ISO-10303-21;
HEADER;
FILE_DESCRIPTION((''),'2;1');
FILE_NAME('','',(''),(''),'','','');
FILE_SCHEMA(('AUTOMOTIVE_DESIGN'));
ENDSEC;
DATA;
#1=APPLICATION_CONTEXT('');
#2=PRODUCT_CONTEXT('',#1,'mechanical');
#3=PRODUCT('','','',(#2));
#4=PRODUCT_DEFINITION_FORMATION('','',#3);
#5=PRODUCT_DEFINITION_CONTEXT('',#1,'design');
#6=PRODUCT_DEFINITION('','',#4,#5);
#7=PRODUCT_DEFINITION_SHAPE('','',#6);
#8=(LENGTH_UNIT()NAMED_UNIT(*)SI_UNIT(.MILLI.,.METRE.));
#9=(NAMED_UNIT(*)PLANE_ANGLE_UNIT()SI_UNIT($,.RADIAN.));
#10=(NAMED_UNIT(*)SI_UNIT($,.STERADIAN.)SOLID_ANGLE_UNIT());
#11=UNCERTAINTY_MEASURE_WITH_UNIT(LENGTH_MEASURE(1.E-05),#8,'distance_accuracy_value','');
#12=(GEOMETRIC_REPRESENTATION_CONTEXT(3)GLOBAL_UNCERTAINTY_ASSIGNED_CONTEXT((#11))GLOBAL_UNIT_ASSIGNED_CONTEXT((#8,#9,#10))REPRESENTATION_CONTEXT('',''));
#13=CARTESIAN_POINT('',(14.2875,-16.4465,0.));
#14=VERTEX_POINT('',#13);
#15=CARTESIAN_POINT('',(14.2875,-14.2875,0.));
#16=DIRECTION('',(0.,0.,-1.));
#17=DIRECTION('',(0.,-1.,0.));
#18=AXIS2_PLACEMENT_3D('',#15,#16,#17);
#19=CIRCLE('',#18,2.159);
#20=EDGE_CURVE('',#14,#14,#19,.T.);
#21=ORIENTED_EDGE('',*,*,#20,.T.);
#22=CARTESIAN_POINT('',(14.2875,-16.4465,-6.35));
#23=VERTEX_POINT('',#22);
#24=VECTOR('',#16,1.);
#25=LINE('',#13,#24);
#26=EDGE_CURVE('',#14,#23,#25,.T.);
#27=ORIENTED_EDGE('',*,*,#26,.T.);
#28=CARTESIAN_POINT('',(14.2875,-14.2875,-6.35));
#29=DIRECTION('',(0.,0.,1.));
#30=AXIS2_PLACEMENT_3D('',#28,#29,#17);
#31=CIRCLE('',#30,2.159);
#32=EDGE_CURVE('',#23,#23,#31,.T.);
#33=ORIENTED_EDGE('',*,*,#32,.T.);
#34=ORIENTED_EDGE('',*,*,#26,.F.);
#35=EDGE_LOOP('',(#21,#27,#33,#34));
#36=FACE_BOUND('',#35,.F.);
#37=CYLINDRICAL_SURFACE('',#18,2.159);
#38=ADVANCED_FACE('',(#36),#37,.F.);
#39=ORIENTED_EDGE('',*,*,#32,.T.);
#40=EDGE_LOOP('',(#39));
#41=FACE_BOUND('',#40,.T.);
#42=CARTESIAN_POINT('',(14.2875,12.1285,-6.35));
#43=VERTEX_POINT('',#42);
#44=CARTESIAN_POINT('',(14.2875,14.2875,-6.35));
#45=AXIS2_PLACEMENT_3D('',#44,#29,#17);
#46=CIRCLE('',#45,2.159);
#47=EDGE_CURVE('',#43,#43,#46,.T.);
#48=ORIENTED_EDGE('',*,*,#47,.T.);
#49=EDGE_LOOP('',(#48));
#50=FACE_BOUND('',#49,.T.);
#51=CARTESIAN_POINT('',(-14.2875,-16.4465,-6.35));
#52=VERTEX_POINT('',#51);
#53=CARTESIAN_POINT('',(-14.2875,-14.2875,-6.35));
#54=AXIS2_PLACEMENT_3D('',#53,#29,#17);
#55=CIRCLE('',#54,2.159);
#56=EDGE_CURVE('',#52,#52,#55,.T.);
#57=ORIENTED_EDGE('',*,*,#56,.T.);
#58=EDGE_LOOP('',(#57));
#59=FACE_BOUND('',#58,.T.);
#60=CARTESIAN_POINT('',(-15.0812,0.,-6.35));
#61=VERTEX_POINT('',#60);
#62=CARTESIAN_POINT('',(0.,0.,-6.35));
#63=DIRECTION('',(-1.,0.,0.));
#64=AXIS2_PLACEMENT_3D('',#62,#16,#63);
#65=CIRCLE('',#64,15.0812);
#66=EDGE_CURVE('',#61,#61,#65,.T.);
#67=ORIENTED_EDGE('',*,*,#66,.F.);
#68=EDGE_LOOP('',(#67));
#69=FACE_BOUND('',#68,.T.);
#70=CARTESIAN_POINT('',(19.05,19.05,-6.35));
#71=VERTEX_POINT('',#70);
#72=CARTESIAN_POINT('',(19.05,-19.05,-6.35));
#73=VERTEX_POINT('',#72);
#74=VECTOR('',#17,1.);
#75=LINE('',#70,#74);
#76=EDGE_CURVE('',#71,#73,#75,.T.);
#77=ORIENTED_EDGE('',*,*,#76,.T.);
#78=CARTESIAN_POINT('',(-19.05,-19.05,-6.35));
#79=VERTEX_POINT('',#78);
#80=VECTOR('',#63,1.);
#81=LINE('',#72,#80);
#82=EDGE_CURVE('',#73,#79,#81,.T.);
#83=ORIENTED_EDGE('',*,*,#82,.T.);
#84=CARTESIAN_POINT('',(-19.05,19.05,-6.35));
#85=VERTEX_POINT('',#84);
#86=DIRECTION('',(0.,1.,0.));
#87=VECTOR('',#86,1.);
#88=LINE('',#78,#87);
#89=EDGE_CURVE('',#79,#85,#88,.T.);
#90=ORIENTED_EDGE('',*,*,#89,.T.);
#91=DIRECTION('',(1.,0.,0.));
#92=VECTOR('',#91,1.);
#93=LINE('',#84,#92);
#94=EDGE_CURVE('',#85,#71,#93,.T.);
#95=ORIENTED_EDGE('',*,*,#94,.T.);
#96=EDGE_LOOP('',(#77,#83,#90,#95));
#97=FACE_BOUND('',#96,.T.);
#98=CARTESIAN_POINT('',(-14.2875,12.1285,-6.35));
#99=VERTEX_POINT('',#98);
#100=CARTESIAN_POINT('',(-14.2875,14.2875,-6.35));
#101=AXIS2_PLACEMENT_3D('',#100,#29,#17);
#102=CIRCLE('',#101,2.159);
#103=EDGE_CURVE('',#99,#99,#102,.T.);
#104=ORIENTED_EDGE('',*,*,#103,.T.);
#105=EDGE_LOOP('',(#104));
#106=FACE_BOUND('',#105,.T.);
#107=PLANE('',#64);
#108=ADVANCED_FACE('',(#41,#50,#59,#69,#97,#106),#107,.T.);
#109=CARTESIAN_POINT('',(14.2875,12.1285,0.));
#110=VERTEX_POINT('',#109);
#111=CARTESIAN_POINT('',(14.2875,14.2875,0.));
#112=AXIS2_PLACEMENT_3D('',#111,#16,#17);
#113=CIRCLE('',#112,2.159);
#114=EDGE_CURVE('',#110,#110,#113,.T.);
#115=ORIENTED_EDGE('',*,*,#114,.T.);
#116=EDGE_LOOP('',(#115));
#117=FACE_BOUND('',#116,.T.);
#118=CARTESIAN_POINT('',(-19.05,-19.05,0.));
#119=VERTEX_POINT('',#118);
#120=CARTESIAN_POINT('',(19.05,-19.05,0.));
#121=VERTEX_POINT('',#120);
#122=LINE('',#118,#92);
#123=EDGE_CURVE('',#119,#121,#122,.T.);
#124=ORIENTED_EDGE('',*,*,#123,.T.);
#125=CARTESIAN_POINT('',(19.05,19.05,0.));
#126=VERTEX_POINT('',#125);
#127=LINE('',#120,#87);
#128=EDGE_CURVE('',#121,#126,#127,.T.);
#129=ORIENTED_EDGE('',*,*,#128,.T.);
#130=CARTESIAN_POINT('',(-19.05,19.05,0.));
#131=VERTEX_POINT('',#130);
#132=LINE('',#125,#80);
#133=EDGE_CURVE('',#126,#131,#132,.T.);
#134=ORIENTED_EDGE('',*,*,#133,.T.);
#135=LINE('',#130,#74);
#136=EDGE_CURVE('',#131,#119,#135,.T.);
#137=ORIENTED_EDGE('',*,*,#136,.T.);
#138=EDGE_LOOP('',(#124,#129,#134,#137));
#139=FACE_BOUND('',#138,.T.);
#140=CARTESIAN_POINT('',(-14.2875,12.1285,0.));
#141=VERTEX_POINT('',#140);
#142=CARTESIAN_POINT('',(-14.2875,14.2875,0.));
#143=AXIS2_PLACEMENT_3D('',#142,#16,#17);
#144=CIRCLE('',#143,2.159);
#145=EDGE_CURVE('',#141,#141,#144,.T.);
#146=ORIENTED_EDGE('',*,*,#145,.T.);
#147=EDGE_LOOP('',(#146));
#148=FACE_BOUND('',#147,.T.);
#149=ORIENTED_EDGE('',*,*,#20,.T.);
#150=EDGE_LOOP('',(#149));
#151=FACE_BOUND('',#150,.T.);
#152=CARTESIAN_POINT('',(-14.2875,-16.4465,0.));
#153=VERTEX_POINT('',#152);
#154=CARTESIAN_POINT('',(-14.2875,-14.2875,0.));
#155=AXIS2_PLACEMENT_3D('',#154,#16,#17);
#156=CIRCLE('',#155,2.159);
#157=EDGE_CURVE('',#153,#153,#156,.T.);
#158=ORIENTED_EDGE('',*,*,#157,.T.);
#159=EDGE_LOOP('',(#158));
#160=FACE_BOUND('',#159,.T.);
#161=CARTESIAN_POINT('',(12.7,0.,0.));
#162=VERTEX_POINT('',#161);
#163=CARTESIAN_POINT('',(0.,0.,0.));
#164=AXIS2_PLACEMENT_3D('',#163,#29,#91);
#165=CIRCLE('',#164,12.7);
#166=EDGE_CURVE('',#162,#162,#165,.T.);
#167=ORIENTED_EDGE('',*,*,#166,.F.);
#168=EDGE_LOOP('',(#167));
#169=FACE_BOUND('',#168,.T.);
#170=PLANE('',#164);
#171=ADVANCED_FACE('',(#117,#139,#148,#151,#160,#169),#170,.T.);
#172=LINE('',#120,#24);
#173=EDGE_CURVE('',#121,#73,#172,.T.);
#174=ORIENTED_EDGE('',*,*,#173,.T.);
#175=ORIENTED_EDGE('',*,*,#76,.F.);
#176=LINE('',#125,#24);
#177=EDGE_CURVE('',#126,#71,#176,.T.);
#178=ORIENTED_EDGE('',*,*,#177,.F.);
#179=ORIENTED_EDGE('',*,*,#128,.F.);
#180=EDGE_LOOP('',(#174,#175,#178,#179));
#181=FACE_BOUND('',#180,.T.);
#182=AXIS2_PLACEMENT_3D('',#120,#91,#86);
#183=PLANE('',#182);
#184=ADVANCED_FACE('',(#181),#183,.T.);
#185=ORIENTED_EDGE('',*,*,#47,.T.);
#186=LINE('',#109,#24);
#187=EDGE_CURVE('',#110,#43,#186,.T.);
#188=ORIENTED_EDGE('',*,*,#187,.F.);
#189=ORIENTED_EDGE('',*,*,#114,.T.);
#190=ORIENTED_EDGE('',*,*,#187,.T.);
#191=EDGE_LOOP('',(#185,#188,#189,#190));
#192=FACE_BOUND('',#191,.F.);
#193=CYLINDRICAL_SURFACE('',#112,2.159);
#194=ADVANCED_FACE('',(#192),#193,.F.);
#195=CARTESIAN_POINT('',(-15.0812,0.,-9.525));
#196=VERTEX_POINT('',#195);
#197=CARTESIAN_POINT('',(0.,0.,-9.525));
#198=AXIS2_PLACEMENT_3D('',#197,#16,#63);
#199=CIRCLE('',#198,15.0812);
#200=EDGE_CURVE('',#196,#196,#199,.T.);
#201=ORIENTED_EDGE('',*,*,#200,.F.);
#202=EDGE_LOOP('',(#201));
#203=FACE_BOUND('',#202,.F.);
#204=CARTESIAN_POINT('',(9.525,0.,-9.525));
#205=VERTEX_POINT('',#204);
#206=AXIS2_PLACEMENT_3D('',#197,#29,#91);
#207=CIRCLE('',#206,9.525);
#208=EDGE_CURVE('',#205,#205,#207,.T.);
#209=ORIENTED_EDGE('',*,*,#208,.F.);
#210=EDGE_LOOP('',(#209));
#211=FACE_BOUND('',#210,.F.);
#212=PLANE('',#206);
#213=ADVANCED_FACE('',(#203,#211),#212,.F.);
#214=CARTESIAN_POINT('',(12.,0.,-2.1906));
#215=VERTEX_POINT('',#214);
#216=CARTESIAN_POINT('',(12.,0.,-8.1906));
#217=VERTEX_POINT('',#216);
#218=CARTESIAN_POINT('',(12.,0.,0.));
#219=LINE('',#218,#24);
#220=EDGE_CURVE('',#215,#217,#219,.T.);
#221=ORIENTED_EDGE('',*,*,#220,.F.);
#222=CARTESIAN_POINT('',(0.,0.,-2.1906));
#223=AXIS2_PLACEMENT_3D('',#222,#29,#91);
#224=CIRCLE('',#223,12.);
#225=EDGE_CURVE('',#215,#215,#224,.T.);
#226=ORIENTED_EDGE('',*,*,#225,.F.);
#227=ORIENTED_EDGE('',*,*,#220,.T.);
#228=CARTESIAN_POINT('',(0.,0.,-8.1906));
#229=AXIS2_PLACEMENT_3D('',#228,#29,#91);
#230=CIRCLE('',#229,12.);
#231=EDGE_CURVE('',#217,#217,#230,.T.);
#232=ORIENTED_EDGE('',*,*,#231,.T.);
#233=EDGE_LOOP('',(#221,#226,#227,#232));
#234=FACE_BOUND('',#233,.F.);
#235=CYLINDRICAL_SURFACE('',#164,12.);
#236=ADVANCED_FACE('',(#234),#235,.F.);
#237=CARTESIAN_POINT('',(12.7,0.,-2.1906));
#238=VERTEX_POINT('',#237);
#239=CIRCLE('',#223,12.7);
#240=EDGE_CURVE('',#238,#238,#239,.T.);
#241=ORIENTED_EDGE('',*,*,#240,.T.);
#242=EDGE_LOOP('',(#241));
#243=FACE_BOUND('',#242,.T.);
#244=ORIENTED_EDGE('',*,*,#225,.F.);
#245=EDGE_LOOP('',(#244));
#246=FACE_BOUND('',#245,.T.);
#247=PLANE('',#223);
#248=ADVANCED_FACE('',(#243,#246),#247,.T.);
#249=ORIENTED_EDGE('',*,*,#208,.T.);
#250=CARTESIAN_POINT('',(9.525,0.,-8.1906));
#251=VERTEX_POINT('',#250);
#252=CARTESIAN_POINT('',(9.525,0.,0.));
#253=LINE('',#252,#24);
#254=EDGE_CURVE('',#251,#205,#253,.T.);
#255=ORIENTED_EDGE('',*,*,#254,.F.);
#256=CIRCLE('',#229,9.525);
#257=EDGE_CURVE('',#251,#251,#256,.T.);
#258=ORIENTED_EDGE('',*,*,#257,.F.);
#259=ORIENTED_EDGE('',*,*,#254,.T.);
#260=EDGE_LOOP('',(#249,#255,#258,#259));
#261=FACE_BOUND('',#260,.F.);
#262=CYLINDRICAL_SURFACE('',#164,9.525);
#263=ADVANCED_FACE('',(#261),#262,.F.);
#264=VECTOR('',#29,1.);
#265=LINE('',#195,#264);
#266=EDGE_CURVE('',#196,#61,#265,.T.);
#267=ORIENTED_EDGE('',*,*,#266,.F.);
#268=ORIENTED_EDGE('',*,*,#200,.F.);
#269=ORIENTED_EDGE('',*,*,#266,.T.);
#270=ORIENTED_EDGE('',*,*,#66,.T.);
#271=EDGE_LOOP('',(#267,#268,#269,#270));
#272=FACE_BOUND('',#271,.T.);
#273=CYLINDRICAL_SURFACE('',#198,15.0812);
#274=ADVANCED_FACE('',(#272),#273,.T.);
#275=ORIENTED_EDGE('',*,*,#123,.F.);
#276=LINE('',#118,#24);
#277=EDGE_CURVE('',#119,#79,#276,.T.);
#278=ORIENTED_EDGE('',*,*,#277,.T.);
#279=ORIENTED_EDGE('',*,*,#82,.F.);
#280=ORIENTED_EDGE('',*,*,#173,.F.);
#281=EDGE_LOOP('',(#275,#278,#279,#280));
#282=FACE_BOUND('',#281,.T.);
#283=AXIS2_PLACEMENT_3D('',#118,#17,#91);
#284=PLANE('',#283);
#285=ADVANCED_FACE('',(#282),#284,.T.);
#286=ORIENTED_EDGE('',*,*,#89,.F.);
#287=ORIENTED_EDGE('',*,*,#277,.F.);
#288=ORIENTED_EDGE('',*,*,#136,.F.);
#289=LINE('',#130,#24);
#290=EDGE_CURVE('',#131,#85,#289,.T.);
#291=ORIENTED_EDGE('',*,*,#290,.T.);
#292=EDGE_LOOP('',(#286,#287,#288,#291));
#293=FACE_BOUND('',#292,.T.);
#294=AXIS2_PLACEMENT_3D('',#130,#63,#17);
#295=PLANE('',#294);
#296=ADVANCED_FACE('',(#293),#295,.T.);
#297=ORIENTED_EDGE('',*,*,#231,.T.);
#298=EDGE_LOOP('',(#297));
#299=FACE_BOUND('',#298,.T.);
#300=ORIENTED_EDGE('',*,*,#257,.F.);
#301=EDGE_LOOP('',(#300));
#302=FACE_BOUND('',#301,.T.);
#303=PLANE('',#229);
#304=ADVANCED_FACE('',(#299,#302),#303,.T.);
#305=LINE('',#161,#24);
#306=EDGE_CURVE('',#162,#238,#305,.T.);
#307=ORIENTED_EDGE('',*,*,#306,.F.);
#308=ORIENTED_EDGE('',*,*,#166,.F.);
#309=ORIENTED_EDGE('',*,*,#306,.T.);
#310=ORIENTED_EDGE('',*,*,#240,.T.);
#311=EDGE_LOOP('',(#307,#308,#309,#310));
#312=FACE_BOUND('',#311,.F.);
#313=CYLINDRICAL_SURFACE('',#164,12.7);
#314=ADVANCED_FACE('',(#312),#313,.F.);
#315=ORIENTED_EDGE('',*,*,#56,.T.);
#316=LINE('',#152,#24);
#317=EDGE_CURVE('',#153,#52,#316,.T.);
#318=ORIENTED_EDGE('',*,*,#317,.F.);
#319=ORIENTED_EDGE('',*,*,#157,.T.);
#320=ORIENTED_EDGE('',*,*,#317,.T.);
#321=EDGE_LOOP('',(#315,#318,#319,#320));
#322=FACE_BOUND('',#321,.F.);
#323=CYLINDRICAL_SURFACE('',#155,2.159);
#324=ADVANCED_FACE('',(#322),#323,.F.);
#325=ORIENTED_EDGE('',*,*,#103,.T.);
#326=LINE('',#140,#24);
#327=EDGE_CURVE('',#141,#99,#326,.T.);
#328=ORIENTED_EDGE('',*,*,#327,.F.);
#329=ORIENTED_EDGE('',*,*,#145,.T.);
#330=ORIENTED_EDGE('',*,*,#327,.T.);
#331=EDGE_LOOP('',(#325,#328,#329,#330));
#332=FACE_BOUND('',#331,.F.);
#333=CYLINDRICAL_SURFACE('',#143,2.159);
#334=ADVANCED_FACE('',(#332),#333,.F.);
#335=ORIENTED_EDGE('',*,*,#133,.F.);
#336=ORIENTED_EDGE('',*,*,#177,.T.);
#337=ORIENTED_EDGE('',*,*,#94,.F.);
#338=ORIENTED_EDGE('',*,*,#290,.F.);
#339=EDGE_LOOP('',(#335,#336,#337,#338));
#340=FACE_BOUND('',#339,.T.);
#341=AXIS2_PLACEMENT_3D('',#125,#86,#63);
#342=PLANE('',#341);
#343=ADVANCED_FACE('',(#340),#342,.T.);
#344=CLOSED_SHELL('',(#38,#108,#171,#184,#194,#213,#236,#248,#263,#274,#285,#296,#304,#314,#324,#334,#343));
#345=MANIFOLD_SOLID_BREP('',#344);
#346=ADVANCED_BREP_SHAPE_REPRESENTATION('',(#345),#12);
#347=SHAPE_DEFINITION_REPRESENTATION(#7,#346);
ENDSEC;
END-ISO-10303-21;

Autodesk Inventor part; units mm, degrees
ref_plane "YZ Plane" through (0, 0, 0) normal (1, 0, 0) x (0, 1, 0)
ref_plane "XZ Plane" through (0, 0, 0) normal (0, 1, 0) x (-1, 0, 0)
ref_plane "XY Plane" through (0, 0, 0) normal (0, 0, 1) x (1, 0, 0)
sketch "Sketch1" plane through (0, 0, 0) normal (0, 0, 1) x (1, 0, 0)
  line L0 (-19.05, -19.05) -> (19.05, -19.05)
  line L1 (19.05, -19.05) -> (19.05, 19.05)
  line L2 (19.05, 19.05) -> (-19.05, 19.05)
  line L3 (-19.05, 19.05) -> (-19.05, -19.05)
  line L4 (-19.05, -19.05) -> (19.05, 19.05) construction
  line L5 (19.05, -19.05) -> (-19.05, 19.05) construction
  line L6 (14.2875, -14.2875) -> (-14.2875, -14.2875) construction
  line L7 (-14.2875, -14.2875) -> (-14.2875, 14.2875) construction
  line L8 (-14.2875, 14.2875) -> (14.2875, 14.2875) construction
  line L9 (14.2875, 14.2875) -> (14.2875, -14.2875) construction
  line L10 (14.2875, -14.2875) -> (-14.2875, 14.2875) construction
  line L11 (-14.2875, -14.2875) -> (14.2875, 14.2875) construction
  circle A0 centre (0, 0) radius 12.7
  circle A1 centre (0, 0) radius 12
  circle A2 centre (0, 0) radius 9.525
  dimension "d0" = 38.1
  dimension "d1" = 38.1
  dimension "d3" = 25.4
  dimension "d4" = 24
  dimension "d5" = 19.05
  dimension "d20" = 28.575
extrude "Extrusion1" add sketch "Sketch1" against normal blind 9.525 contours L3 L2 L1 L0 | A0 | A1
extrude "Extrusion2" cut sketch "Sketch1" against normal blind 2.1906 contours A0
extrude "Extrusion3" cut sketch "Sketch1" against normal blind 8.1906 contours A1
hole "Hole1" at (-14.2875, 14.2875, 0) at (14.2875, 14.2875, 0) at (14.2875, -14.2875, 0) at (-14.2875, -14.2875, 0) direction (0, 0, -1) diameter 4.318 end through all clearance for "Socket Head Cap Screw" size "#8" standard "Ansi Unified Screw Threads"
sketch "Sketch2" plane through (0, 0, -9.525) normal (0, 0, -1) x (-1, 0, 0)
  line L0 (-19.05, -19.05) -> (19.05, -19.05) projected
  line L1 (19.05, -19.05) -> (19.05, 19.05) projected
  line L2 (19.05, 19.05) -> (-19.05, 19.05) projected
  line L3 (-19.05, 19.05) -> (-19.05, -19.05) projected
  circle A0 centre (-14.2875, -14.2875) radius 2.159 projected
  circle A1 centre (14.2875, 14.2875) radius 2.159 projected
  circle A2 centre (-14.2875, 14.2875) radius 2.159 projected
  circle A3 centre (14.2875, -14.2875) radius 2.159 projected
  circle A4 centre (0, 0) radius 9.525 projected
  circle A5 centre (-14.2875, 14.2875) radius 3.429 construction
  circle A6 centre (0, 0) radius 12 construction
  circle A7 centre (0, 0) radius 15.0812
  dimension "d21" = 6.858
  dimension "d22" = 24
  dimension "d23" = 30.1625
extrude "Extrusion4" cut sketch "Sketch2" against normal blind 3.175 contours L3 L2 L1 L0
equation "\"d1\" = d0"
properties part number "Module Top Cap"
